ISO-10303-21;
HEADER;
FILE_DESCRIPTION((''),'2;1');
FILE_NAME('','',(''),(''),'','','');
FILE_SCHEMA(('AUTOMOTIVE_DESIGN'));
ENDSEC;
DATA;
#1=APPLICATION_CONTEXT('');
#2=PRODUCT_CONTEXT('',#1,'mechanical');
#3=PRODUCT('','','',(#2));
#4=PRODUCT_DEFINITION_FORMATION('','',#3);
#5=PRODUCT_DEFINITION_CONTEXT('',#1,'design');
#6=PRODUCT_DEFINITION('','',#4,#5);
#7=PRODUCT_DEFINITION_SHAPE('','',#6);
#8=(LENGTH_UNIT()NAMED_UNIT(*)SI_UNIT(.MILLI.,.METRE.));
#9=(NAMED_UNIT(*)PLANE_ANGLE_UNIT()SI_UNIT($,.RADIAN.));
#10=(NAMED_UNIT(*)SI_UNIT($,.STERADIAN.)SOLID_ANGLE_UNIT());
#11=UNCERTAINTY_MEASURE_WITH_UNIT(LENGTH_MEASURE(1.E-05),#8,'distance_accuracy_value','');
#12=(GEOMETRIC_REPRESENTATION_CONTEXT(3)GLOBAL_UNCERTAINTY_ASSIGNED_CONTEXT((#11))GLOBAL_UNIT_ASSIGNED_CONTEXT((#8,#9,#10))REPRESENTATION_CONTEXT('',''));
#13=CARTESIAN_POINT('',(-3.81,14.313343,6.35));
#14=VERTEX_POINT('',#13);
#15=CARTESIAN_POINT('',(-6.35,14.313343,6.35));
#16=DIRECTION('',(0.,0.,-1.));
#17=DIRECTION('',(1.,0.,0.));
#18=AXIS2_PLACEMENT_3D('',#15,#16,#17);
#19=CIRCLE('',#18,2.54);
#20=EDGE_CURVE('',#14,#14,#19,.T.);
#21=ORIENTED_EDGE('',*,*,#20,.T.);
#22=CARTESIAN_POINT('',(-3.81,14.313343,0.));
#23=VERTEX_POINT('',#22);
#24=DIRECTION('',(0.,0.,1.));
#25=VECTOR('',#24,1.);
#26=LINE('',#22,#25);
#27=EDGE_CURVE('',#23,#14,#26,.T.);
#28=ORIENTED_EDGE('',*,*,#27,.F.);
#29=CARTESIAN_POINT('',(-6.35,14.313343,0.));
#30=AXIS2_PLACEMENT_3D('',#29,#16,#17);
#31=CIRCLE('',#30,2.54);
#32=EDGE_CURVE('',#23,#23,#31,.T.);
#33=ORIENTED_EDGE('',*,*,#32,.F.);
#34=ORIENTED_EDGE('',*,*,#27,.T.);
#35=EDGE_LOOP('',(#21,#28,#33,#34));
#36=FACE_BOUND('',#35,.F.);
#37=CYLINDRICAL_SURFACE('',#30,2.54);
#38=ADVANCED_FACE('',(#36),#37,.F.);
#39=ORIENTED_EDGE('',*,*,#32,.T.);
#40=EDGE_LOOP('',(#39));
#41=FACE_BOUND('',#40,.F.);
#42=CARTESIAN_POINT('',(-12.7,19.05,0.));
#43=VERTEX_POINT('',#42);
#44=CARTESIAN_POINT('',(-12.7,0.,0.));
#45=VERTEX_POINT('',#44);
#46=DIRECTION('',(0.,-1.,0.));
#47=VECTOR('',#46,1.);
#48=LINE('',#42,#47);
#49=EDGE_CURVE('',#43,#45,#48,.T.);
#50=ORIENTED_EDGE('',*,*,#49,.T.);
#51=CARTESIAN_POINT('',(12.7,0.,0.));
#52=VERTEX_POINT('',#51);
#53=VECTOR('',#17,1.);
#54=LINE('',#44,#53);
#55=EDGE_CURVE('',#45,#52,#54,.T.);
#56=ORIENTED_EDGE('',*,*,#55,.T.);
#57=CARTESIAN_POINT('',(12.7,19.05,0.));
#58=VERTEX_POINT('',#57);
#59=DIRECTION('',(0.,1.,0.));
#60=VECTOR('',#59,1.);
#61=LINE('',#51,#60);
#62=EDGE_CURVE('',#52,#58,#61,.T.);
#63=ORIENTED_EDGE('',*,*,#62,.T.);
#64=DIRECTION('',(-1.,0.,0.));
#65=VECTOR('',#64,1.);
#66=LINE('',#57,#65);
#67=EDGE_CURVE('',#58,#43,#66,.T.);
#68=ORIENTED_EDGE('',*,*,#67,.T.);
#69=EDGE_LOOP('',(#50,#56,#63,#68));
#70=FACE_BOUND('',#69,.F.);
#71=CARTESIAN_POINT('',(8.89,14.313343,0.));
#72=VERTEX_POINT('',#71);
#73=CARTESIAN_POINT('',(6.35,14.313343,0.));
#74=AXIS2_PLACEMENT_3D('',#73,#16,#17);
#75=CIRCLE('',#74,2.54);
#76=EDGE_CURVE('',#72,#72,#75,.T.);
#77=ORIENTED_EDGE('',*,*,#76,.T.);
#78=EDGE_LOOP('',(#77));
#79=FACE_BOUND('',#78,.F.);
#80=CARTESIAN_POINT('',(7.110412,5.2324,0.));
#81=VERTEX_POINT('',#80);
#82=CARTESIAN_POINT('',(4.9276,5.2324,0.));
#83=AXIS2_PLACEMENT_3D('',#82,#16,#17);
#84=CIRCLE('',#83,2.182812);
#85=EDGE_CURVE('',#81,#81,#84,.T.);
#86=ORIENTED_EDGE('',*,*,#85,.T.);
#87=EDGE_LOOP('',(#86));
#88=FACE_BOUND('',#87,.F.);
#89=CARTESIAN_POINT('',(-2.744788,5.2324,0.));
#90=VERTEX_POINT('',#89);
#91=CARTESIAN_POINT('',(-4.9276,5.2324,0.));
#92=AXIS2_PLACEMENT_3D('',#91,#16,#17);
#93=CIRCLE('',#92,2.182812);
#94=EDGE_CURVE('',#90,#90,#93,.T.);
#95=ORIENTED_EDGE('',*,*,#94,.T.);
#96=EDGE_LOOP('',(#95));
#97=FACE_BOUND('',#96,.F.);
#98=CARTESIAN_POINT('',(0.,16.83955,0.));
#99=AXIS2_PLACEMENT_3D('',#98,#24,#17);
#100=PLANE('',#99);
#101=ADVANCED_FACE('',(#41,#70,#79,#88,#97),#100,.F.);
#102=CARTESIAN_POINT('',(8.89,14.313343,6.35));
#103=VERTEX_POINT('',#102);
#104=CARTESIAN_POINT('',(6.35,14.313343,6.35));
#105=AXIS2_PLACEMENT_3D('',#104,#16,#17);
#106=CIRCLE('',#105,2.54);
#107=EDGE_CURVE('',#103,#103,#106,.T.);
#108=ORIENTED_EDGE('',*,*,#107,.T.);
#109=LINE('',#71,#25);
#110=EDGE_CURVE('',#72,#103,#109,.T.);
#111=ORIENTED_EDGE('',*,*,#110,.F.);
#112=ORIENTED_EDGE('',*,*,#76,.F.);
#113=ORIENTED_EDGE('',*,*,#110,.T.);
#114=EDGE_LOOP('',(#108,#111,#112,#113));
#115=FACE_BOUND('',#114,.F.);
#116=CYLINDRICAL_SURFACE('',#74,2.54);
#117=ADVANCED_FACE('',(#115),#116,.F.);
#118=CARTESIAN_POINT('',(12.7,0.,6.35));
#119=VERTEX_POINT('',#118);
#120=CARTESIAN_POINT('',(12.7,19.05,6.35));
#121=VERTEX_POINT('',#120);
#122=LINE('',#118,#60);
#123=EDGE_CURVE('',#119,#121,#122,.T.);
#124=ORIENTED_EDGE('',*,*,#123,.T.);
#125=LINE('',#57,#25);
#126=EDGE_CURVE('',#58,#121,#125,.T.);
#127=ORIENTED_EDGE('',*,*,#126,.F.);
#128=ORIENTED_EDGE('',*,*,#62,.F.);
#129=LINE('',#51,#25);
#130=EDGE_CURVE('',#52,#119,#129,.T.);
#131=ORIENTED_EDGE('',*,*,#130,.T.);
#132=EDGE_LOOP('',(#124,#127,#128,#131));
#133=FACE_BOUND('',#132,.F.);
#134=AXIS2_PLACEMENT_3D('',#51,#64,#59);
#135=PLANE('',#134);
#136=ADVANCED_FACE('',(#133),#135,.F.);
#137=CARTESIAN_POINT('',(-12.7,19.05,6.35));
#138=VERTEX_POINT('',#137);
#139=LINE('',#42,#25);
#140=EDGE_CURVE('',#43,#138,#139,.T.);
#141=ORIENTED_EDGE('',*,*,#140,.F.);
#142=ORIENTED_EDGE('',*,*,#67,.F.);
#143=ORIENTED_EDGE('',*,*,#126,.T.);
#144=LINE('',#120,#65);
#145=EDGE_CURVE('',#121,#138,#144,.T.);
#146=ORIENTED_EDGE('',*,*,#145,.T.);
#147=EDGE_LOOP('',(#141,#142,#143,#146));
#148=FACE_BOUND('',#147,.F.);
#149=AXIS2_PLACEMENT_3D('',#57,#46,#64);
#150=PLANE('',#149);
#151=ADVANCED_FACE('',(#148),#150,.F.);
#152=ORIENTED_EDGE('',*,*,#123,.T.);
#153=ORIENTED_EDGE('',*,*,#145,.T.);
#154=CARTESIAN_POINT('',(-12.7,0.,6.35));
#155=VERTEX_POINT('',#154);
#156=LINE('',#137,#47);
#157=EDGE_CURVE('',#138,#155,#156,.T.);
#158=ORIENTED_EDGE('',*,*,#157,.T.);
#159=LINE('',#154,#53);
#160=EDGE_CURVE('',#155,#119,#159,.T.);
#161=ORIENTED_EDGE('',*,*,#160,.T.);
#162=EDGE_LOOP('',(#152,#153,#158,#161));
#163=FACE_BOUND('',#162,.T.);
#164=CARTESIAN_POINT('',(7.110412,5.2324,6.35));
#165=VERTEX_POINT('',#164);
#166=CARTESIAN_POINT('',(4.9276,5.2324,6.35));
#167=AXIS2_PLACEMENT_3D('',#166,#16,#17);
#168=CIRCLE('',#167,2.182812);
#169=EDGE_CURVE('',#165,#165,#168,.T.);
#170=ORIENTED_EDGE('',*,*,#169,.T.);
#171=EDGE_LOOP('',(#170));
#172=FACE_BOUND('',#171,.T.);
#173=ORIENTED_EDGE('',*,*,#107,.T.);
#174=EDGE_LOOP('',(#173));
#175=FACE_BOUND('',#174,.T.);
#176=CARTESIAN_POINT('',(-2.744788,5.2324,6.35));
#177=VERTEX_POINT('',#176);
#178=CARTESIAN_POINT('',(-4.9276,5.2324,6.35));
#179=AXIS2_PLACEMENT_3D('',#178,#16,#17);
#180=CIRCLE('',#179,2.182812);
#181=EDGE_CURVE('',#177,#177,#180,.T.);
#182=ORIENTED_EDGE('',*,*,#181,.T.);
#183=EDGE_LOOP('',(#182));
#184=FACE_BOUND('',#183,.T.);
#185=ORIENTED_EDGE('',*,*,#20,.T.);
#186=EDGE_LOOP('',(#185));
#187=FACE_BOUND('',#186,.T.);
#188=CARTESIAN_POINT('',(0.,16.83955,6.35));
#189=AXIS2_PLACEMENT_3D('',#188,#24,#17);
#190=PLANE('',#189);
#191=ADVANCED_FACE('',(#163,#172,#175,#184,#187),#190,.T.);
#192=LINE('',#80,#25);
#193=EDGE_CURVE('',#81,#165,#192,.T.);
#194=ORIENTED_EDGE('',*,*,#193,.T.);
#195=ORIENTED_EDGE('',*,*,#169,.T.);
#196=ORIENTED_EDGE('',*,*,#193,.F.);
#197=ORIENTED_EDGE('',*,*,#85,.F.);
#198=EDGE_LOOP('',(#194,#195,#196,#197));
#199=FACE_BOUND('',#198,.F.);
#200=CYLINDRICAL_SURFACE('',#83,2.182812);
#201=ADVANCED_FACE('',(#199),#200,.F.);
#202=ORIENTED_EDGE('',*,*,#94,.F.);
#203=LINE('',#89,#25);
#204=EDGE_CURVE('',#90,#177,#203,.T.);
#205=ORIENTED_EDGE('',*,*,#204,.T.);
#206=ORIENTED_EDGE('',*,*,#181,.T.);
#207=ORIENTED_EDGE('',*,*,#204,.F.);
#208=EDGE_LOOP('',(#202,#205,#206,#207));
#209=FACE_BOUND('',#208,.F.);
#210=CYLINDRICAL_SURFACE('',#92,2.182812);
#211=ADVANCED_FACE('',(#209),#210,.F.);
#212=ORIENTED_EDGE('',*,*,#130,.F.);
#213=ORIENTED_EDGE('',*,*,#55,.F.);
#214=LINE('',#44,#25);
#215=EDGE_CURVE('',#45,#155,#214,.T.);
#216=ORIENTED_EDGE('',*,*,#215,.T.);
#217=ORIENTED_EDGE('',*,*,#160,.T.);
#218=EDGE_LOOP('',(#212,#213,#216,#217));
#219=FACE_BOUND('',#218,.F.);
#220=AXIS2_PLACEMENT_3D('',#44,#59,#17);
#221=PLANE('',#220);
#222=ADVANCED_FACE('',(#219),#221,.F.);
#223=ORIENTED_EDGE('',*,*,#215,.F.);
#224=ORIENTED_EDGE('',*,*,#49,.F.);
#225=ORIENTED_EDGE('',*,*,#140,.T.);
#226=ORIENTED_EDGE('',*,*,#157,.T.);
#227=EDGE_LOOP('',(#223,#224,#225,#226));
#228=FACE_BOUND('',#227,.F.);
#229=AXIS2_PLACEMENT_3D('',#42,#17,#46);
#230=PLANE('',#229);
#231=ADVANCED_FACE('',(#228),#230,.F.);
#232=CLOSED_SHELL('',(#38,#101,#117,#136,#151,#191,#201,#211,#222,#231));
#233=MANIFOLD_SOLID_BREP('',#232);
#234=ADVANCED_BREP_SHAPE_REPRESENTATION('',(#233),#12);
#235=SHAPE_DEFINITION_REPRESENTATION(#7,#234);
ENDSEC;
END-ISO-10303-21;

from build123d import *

# Parameters (mm, degrees)
F1_DEPTH = 6.35


with BuildPart() as f1:
    # F0 (on Top) → F1 (new body)
    with BuildSketch(Plane.XY):
        with BuildLine():
            Line((12.7, 19.05), (-12.7, 19.05))
            Line((-12.7, 19.05), (-12.7, 14.313342981))
            Line((-12.7, 14.313342981), (-8.89, 14.313342981))
            ThreePointArc((-8.89, 14.313342981), (-6.35, 16.853342981), (-3.81, 14.313342981))
            Line((-3.81, 14.313342981), (3.81, 14.313342981))
            ThreePointArc((3.81, 14.313342981), (6.35, 16.853342981), (8.89, 14.313342981))
            Line((8.89, 14.313342981), (12.7, 14.313342981))
            Line((12.7, 14.313342981), (12.7, 19.05))
        make_face()
        with BuildLine():
            Line((-8.89, 14.313342981), (-12.7, 14.313342981))
            Line((-12.7, 14.313342981), (-12.7, 9.525))
            Line((-12.7, 9.525), (12.7, 9.525))
            Line((12.7, 9.525), (12.7, 14.313342981))
            Line((12.7, 14.313342981), (8.89, 14.313342981))
            ThreePointArc((8.89, 14.313342981), (6.35, 11.773342981), (3.81, 14.313342981))
            Line((3.81, 14.313342981), (-3.81, 14.313342981))
            ThreePointArc((-3.81, 14.313342981), (-6.35, 11.773342981), (-8.89, 14.313342981))
        make_face()
        with BuildLine():
            Line((12.7, 9.525), (-12.7, 9.525))
            Line((-12.7, 9.525), (-12.7, 5.2324))
            Line((-12.7, 5.2324), (-7.1104125, 5.2324))
            ThreePointArc((-7.1104125, 5.2324), (-4.9276, 7.4152125), (-2.7447875, 5.2324))
            Line((-2.7447875, 5.2324), (2.7447875, 5.2324))
            ThreePointArc((2.7447875, 5.2324), (4.9276, 7.4152125), (7.1104125, 5.2324))
            Line((7.1104125, 5.2324), (12.7, 5.2324))
            Line((12.7, 5.2324), (12.7, 9.525))
        make_face()
        with BuildLine():
            Line((-7.1104125, 5.2324), (-12.7, 5.2324))
            Line((-12.7, 5.2324), (-12.7, 0))
            Line((-12.7, 0), (12.7, 0))
            Line((12.7, 0), (12.7, 5.2324))
            Line((12.7, 5.2324), (7.1104125, 5.2324))
            ThreePointArc((7.1104125, 5.2324), (4.9276, 3.0495875), (2.7447875, 5.2324))
            Line((2.7447875, 5.2324), (-2.7447875, 5.2324))
            ThreePointArc((-2.7447875, 5.2324), (-4.9276, 3.0495875), (-7.1104125, 5.2324))
        make_face()
    extrude(amount=F1_DEPTH)


solid = f1.part
